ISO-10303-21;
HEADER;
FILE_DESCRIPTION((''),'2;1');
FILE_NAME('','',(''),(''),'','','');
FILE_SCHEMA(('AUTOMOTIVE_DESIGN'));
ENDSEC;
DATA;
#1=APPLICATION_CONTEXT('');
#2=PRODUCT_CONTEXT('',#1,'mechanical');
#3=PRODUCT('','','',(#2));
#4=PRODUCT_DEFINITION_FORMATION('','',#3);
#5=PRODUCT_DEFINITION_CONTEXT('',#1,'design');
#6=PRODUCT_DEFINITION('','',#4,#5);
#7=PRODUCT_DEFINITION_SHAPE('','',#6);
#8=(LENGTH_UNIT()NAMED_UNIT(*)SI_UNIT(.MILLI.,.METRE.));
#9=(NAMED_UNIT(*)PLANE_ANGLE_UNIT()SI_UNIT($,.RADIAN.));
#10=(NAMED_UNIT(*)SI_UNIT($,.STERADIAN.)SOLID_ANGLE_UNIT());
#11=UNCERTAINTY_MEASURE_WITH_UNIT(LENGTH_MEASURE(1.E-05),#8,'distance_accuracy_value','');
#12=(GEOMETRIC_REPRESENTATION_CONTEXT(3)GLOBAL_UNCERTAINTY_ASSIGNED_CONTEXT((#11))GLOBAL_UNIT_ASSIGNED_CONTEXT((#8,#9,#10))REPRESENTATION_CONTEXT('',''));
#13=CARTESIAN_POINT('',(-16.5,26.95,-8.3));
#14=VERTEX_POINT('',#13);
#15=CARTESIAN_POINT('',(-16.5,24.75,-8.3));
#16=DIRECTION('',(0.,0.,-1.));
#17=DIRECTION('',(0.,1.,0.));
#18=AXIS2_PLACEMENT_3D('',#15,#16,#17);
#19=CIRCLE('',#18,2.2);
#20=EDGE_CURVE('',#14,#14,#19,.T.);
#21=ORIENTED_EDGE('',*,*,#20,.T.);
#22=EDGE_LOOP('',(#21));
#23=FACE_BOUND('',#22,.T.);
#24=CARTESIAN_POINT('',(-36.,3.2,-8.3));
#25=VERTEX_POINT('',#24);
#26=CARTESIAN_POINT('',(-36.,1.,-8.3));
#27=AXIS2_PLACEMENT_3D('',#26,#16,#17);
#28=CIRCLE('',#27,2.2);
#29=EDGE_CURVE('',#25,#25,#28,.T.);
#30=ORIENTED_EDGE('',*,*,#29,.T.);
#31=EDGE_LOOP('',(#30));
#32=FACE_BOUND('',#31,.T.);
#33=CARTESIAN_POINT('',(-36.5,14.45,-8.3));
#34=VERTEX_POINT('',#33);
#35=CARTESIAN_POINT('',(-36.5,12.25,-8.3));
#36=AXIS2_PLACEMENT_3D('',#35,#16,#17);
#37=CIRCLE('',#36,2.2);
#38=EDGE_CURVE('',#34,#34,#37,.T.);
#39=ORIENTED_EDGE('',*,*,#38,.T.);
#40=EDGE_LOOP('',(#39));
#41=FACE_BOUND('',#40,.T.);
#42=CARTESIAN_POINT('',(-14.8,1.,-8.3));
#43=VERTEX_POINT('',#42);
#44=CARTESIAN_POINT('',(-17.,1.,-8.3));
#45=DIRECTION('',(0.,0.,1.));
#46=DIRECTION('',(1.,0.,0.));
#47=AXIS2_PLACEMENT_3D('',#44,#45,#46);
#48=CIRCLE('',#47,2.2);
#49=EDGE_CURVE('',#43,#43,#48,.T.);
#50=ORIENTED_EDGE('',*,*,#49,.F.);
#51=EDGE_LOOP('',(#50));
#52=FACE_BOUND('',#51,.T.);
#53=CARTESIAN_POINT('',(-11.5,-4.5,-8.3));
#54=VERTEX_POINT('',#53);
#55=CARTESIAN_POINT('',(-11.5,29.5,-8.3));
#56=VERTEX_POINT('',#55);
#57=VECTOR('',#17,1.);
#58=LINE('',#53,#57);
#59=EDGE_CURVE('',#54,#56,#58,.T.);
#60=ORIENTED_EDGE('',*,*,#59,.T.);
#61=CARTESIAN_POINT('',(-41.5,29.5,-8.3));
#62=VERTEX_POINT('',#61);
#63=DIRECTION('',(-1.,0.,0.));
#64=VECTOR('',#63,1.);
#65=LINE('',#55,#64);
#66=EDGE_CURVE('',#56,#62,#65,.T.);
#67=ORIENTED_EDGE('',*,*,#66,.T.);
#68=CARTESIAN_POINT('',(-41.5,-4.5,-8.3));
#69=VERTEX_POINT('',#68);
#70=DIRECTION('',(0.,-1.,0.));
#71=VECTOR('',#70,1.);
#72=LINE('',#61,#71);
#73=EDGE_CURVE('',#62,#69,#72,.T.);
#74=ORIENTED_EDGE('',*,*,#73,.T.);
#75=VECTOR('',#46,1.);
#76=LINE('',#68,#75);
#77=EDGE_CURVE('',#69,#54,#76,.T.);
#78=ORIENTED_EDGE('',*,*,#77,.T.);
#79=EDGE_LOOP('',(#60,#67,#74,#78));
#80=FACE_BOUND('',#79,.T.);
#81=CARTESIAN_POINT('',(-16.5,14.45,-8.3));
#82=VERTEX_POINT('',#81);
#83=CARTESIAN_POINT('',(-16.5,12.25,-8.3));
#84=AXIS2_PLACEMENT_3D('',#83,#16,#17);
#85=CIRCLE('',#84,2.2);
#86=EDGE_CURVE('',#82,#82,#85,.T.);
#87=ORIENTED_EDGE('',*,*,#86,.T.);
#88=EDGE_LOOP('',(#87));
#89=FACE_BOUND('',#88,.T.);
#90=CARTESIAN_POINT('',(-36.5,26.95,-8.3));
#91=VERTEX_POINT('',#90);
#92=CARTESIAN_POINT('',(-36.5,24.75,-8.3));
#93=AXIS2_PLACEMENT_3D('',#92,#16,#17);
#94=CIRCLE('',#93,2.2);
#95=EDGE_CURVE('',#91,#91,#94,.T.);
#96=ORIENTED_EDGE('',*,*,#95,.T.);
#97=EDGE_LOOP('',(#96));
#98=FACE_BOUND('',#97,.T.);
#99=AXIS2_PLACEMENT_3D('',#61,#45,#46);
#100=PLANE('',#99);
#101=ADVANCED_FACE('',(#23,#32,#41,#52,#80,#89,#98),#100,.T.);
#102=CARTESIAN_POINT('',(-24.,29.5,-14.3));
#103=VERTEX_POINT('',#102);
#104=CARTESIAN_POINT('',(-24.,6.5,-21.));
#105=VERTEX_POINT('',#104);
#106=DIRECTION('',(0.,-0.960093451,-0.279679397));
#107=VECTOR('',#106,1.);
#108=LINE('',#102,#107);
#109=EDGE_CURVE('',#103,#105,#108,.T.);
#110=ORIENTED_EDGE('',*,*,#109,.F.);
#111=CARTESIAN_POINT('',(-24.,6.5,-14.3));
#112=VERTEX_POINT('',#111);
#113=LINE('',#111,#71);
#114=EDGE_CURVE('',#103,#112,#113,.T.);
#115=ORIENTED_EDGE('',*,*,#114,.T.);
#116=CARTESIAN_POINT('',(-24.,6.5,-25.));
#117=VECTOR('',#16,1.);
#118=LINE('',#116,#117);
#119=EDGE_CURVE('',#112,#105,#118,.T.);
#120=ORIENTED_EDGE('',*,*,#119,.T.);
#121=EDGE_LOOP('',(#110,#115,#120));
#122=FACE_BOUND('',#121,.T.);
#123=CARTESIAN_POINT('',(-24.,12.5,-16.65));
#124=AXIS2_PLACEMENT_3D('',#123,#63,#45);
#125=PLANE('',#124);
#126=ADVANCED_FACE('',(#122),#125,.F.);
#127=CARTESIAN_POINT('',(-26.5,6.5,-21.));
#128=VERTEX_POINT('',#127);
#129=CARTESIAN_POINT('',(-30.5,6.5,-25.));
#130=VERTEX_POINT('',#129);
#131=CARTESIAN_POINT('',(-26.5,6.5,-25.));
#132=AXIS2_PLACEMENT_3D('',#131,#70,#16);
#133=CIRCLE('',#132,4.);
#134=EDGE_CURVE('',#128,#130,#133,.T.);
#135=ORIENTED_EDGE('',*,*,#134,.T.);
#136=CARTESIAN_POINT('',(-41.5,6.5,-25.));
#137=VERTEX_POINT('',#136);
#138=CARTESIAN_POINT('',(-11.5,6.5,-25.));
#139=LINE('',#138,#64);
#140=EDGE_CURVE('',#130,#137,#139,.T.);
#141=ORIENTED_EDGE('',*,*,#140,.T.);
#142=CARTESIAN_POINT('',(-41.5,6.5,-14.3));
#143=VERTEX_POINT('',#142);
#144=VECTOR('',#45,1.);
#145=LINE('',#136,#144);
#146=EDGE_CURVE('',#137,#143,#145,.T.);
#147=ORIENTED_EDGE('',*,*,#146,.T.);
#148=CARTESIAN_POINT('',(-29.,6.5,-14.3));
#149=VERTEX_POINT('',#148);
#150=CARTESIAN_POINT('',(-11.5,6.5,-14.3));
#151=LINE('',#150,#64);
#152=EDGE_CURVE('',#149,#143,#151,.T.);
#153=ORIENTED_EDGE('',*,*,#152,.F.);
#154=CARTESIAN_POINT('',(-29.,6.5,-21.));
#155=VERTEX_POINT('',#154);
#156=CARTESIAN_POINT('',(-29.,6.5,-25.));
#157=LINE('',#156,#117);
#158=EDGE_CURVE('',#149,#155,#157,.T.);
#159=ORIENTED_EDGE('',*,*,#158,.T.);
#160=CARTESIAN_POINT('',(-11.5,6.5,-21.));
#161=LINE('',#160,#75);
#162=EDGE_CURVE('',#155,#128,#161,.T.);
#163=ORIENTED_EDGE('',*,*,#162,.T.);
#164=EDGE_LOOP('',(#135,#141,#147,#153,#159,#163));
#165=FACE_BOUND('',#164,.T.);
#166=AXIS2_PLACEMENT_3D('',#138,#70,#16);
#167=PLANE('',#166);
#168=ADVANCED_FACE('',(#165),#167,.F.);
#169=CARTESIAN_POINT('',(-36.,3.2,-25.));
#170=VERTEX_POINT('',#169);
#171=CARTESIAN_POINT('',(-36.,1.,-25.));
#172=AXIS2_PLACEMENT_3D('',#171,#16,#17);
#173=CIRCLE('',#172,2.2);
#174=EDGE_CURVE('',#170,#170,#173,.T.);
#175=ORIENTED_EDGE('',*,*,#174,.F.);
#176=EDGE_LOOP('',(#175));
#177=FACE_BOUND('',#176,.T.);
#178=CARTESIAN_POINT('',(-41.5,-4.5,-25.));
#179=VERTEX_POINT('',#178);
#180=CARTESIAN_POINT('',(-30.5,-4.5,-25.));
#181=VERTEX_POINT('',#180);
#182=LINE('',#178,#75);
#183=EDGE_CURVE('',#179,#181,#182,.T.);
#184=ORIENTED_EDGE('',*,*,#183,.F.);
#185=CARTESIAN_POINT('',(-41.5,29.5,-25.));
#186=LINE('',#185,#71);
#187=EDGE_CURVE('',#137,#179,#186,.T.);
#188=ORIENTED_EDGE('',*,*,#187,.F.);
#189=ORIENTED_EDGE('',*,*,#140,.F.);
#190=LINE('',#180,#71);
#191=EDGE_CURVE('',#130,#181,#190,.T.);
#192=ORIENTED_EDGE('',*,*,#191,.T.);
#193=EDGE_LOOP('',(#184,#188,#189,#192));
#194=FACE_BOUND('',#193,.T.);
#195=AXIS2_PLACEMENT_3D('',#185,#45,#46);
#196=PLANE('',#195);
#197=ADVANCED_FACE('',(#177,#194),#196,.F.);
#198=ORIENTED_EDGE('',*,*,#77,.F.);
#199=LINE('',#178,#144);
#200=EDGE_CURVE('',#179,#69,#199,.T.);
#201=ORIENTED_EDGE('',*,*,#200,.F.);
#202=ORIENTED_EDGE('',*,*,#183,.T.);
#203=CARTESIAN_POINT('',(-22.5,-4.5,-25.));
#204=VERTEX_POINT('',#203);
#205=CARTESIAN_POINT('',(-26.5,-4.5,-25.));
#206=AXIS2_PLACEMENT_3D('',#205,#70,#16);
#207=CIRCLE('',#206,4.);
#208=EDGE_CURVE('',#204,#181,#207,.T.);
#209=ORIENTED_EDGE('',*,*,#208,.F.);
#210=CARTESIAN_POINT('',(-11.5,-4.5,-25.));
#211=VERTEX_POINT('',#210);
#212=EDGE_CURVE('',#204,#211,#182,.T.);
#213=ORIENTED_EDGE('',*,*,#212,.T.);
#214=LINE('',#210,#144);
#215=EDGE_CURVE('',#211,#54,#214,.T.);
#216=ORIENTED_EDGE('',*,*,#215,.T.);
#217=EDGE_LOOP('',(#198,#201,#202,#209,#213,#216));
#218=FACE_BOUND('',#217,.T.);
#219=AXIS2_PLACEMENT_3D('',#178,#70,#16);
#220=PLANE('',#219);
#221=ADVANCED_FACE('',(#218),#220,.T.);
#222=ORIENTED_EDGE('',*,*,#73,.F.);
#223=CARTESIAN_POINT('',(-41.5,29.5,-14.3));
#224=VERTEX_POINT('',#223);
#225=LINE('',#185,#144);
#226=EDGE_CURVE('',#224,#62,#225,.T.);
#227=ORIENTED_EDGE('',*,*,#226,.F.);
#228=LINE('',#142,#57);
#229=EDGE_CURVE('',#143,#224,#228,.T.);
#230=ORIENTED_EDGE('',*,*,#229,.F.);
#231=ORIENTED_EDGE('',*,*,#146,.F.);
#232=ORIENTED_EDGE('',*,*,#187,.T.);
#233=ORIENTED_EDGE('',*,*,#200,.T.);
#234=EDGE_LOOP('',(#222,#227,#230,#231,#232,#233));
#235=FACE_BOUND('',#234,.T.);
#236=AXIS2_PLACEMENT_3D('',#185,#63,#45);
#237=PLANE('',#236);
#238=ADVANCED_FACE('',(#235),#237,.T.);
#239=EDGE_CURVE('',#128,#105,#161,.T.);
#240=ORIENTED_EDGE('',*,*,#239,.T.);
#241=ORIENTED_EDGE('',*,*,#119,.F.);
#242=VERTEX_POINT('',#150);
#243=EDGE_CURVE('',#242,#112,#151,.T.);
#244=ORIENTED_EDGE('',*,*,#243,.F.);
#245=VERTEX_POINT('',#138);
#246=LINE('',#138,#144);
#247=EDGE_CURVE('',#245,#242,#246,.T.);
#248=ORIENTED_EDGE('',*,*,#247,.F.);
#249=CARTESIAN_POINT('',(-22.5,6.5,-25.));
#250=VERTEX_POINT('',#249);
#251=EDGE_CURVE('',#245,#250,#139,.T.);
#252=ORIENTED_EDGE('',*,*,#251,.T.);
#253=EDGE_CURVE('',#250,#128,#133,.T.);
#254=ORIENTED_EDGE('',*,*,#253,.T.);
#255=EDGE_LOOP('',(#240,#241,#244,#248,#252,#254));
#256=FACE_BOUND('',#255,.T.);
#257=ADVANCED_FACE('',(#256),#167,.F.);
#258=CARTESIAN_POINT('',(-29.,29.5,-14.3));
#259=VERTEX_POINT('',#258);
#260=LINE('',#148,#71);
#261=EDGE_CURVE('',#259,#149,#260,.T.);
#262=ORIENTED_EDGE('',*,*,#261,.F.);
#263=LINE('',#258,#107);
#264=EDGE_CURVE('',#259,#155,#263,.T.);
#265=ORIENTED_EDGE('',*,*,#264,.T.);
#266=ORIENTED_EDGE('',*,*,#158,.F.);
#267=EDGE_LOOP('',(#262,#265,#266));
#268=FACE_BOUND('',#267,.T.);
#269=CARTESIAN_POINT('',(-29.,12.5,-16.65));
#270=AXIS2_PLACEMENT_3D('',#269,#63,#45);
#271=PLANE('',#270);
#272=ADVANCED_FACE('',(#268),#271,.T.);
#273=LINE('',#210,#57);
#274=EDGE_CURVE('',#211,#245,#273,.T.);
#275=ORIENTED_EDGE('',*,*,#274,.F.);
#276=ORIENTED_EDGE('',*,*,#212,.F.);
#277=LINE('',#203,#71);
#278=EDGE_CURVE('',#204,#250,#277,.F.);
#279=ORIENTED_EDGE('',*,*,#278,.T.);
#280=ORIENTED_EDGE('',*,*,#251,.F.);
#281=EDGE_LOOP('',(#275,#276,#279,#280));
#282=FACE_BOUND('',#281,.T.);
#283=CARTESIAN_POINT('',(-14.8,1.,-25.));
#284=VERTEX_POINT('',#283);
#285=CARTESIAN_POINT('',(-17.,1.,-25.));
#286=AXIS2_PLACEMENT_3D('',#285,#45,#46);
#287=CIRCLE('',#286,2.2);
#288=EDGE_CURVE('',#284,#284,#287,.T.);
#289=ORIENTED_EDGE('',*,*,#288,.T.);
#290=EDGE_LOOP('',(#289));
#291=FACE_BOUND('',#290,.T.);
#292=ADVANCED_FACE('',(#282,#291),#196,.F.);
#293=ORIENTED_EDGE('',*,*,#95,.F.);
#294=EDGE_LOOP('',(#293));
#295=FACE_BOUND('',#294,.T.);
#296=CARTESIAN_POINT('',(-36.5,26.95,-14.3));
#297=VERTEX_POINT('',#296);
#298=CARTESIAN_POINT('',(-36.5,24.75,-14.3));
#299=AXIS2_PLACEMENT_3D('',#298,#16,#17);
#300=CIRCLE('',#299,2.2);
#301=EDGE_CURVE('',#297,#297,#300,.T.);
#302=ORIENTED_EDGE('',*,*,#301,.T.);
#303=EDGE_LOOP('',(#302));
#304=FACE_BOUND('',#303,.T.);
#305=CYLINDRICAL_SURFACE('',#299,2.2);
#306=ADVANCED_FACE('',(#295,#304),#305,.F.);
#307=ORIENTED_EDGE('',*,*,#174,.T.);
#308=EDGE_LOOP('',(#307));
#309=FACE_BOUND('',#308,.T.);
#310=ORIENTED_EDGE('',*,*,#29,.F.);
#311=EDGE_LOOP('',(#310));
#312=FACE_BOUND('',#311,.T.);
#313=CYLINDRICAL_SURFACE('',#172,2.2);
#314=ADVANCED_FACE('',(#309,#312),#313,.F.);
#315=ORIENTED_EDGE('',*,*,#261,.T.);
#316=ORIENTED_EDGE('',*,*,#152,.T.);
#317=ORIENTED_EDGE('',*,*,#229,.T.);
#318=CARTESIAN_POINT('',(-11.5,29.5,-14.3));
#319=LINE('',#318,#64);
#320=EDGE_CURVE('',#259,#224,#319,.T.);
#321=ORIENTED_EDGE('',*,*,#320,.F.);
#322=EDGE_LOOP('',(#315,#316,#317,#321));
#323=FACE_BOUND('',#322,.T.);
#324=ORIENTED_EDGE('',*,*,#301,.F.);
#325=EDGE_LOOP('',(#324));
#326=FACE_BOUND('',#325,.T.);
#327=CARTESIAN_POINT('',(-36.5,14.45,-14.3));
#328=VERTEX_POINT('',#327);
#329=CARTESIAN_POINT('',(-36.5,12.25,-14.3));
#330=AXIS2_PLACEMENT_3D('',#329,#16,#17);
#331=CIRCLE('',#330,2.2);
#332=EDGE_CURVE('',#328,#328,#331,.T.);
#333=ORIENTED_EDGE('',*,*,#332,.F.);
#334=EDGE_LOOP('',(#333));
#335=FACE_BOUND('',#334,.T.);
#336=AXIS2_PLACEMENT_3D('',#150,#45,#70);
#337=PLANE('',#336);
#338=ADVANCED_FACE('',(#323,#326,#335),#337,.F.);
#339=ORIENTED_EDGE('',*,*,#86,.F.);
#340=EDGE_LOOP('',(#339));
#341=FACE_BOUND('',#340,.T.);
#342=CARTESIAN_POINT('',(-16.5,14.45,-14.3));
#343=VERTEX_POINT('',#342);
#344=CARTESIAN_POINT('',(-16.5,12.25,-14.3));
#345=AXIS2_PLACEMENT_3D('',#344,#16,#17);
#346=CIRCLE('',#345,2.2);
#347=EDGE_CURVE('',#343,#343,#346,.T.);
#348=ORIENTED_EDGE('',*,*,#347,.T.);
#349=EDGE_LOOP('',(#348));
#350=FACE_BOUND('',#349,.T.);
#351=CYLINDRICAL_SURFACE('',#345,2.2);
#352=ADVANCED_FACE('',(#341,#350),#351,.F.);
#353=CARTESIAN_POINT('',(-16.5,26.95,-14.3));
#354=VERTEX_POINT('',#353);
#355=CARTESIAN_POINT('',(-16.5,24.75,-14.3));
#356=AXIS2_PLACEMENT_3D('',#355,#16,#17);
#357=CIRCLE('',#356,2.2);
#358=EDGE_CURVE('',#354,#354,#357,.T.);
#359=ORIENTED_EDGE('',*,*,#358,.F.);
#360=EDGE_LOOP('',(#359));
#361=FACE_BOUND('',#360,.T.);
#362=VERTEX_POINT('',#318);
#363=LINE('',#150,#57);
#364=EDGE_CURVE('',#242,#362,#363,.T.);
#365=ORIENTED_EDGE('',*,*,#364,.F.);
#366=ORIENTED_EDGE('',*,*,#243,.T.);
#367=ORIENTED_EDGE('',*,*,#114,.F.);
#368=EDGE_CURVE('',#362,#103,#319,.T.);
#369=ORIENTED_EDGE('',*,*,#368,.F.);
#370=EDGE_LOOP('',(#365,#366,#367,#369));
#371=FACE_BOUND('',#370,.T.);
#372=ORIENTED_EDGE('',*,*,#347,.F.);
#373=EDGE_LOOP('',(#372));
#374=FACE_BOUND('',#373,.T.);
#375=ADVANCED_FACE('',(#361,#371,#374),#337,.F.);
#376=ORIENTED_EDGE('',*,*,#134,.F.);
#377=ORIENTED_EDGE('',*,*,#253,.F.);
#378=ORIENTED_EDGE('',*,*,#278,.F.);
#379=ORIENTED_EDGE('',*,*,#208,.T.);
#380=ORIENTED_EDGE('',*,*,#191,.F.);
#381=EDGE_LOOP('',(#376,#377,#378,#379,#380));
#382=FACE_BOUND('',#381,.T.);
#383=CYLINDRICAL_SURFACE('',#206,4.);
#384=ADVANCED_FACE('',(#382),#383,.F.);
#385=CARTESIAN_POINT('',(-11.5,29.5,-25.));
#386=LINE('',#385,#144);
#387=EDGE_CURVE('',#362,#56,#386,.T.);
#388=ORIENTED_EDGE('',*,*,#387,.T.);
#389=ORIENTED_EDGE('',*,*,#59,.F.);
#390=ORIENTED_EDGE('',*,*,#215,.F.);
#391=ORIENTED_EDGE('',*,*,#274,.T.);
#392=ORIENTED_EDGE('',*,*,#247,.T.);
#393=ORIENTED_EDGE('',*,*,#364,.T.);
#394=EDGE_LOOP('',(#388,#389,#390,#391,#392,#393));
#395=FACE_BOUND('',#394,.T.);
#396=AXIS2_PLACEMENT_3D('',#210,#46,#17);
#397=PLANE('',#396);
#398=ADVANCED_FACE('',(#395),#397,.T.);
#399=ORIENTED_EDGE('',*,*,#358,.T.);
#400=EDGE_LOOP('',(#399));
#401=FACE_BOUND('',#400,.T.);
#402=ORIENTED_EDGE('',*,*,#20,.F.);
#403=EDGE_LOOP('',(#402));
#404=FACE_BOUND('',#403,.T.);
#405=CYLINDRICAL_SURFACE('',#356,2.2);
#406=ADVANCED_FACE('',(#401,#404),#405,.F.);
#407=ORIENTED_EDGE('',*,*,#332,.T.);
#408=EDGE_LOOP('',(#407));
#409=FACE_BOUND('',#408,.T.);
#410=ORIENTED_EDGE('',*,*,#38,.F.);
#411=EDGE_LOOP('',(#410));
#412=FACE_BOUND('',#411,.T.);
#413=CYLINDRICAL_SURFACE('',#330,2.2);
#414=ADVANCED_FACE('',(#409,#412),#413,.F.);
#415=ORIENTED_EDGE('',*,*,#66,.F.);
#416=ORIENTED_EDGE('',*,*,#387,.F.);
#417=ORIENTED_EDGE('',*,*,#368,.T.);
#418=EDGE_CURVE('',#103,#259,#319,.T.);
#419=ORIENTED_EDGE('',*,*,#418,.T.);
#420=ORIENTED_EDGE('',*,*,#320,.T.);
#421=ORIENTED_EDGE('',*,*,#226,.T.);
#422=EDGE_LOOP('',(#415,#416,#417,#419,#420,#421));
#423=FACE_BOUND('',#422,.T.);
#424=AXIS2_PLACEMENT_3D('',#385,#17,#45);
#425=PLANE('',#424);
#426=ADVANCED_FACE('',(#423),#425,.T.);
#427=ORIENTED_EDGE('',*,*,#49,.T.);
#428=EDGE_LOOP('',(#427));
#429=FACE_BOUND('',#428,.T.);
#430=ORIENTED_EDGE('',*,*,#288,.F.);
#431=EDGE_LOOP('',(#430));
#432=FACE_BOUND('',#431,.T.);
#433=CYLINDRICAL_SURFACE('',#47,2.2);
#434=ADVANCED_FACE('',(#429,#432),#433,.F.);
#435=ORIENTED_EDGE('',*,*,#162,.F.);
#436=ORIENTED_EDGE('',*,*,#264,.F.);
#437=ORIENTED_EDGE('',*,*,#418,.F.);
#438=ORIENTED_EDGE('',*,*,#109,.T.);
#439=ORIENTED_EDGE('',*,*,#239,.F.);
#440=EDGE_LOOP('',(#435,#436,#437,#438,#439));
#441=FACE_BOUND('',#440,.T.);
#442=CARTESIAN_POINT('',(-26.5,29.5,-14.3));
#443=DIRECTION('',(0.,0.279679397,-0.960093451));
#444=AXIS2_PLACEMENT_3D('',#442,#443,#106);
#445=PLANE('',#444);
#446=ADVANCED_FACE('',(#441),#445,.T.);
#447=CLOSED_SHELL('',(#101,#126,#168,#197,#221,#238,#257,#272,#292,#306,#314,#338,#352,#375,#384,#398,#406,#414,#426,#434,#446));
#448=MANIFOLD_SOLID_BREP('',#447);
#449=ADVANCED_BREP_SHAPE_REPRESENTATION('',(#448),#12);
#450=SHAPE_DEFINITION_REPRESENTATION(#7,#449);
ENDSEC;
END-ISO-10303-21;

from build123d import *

# Parameters (mm, degrees)
SKETCH1_W           = 30
SKETCH1_H           = 34
BOSS_EXTRUDE1_DEPTH = 16.7
SKETCH2_W           = 10.7
SKETCH2_H           = 23
CUT_EXTRUDE1_DEPTH  = 49.94129136
HOLE1_D             = 4.4
HOLE2_D             = 4.4
HOLE3_D             = 4.4
HOLE4_D             = 4.4
HOLE5_D             = 4.4
HOLE6_D             = 4.4
HOLE7_D             = 8
HOLE7_DEPTH         = 34
RIB1_REACH          = 43.476
SKETCH17_WALL_W     = 108.907794566
SKETCH17_WALL_H     = 5


with BuildPart() as part:
    # Sketch1 → Boss-Extrude1 (new body)
    with BuildSketch(Plane.XY.offset(-8.3)):
        with Locations((-26.5, 12.5)):
            Rectangle(SKETCH1_W, SKETCH1_H)
    extrude(amount=-BOSS_EXTRUDE1_DEPTH)

    # Sketch2 → Cut-Extrude1 (cut, through all)
    with BuildSketch(Plane.ZY.offset(41.5)):
        with Locations((-19.65, 18)):
            Rectangle(SKETCH2_W, SKETCH2_H)
    extrude(amount=-CUT_EXTRUDE1_DEPTH, mode=Mode.SUBTRACT)

    # Hole1 (through all)
    with Locations(Plane(origin=(0, 0, -14.3), x_dir=(-1, 0, 0), z_dir=(0, 0, -1))):
        with Locations((16.5, 12.25)):
            Hole(HOLE1_D / 2)

    # Hole2 (through all)
    with Locations(Plane(origin=(0, 0, -14.3), x_dir=(-1, 0, 0), z_dir=(0, 0, -1))):
        with Locations((36.5, 12.25)):
            Hole(HOLE2_D / 2)

    # Hole3 (through all)
    with Locations(Plane(origin=(0, 0, -14.3), x_dir=(-1, 0, 0), z_dir=(0, 0, -1))):
        with Locations((36.5, 24.75)):
            Hole(HOLE3_D / 2)

    # Hole4 (through all)
    with Locations(Plane(origin=(0, 0, -14.3), x_dir=(-1, 0, 0), z_dir=(0, 0, -1))):
        with Locations((16.5, 24.75)):
            Hole(HOLE4_D / 2)

    # Hole5 (through all)
    with Locations(Plane(origin=(0, 0, -25), x_dir=(-1, 0, 0), z_dir=(0, 0, -1))):
        with Locations((36, 1)):
            Hole(HOLE5_D / 2)

    # Hole6 (through all)
    with Locations(Plane.XY.offset(-8.3)):
        with Locations((-17, 1)):
            Hole(HOLE6_D / 2)

    # Hole7
    with Locations(Plane.XZ.offset(4.5)):
        with Locations((-26.5, -25)):
            Hole(HOLE7_D / 2, depth=HOLE7_DEPTH)

    # Sketch17 wall → Rib1 (add, up to next)
    with BuildSketch(Plane(origin=(-26.5, 18, -17.65), x_dir=(0, -0.960093451224, -0.279679396661), z_dir=(0, -0.279679396661, 0.960093451224)), mode=Mode.PRIVATE) as rib1_sk1:
        Rectangle(SKETCH17_WALL_W, SKETCH17_WALL_H)
    rib1_tool1 = extrude(rib1_sk1.sketch, amount=RIB1_REACH, mode=Mode.PRIVATE) - part.part
    add(rib1_tool1.solids().sort_by_distance((-26.5, 18, -17.65))[0])


solid = part.part
